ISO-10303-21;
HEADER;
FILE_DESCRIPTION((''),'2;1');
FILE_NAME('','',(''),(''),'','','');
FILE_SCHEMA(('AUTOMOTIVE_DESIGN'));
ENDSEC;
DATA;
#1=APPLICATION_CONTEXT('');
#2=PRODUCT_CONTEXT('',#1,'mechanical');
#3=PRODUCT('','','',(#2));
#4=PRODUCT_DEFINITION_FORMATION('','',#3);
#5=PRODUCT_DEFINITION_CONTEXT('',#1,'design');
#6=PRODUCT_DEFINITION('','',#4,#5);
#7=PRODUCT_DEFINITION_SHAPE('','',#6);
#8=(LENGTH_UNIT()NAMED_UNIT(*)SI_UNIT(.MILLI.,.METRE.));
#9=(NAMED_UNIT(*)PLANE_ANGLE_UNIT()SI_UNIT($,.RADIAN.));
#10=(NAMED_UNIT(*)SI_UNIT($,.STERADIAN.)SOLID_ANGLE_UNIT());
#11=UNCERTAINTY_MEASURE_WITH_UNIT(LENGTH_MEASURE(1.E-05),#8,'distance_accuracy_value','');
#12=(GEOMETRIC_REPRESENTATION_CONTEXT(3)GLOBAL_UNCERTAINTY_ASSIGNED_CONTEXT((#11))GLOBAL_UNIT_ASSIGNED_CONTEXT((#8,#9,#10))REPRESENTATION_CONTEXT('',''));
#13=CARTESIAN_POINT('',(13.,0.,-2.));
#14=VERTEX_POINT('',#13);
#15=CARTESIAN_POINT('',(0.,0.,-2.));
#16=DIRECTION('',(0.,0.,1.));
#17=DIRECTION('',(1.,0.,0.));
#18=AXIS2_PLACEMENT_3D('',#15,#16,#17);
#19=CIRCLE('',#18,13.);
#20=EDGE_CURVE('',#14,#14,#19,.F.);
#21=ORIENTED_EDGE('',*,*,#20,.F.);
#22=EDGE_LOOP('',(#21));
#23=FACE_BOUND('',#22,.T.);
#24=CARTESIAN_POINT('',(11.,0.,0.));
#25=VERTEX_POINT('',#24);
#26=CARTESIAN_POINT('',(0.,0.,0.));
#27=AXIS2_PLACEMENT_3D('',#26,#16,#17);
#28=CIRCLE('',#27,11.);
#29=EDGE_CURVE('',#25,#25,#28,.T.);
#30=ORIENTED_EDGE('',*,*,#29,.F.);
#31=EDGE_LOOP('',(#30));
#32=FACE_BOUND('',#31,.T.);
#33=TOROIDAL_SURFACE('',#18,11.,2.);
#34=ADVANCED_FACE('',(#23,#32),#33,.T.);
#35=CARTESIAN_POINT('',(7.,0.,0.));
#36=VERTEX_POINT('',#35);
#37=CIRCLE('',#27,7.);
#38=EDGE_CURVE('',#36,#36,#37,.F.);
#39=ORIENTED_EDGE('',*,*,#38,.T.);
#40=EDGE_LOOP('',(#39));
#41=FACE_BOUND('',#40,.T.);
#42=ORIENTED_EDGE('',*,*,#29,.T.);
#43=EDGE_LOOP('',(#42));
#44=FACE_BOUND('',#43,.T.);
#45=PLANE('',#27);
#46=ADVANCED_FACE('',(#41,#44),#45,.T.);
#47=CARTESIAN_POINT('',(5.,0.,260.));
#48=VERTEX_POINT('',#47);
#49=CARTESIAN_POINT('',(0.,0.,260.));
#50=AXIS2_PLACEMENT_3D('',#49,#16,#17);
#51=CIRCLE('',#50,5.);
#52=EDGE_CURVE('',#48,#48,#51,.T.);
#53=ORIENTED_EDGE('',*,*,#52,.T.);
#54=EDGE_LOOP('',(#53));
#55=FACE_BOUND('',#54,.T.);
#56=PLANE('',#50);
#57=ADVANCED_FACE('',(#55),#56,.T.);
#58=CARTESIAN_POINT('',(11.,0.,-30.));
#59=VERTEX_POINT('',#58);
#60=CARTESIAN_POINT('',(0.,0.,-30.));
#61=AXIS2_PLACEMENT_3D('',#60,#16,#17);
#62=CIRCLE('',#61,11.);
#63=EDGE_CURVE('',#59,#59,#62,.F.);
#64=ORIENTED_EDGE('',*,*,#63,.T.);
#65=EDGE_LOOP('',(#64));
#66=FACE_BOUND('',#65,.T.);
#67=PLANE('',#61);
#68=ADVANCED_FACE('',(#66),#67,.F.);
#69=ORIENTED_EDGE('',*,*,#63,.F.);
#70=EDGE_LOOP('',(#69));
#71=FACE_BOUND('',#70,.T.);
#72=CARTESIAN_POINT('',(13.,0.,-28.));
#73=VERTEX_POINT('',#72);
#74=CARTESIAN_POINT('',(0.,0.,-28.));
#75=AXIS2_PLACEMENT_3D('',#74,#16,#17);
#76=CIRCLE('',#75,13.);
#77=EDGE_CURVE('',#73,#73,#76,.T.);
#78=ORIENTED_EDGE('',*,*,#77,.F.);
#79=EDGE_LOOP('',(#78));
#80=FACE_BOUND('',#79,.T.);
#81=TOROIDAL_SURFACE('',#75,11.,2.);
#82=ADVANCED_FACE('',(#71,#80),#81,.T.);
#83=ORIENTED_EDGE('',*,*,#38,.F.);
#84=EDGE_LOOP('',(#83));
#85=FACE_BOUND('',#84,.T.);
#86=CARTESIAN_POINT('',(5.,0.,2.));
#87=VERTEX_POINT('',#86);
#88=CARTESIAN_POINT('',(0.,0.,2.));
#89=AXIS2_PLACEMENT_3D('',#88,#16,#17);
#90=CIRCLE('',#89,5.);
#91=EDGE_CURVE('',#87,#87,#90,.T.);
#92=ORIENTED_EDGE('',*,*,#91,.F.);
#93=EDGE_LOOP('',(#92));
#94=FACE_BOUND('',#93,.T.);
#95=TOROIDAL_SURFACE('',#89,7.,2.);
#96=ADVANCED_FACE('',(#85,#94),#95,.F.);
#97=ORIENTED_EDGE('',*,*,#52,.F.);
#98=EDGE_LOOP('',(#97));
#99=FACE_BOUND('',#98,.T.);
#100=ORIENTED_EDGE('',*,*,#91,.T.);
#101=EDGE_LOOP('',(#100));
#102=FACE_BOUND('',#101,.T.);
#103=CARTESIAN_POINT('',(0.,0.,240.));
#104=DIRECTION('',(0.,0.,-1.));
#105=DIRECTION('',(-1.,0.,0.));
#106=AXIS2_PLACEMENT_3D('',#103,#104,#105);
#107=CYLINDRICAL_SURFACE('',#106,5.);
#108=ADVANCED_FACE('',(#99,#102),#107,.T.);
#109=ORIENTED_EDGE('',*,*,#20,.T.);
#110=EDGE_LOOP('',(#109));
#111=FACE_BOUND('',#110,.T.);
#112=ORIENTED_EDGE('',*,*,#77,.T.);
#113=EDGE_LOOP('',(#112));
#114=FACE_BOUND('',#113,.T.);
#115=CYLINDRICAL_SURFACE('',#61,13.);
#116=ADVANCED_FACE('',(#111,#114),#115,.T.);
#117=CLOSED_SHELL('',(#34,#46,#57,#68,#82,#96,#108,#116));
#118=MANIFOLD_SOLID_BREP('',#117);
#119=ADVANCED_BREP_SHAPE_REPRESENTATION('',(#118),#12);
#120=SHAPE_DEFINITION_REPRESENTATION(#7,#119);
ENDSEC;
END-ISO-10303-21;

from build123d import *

# Parameters (mm, degrees)
SKETCH1_R           = 13
BOSS_EXTRUDE1_DEPTH = 30
SKETCH2_R           = 5
BOSS_EXTRUDE2_DEPTH = 240
SKETCH3_R           = 5
BOSS_EXTRUDE3_DEPTH = 20
FILLET1_R           = 2


with BuildPart() as part:
    # Sketch1 → Boss-Extrude1 (new body)
    with BuildSketch(Plane.XY):
        Circle(SKETCH1_R)
    extrude(amount=-BOSS_EXTRUDE1_DEPTH)

    # Sketch2 → Boss-Extrude2 (add)
    with BuildSketch(Plane.XY):
        Circle(SKETCH2_R)
    extrude(amount=BOSS_EXTRUDE2_DEPTH)

    # Sketch3 → Boss-Extrude3 (add)
    with BuildSketch(Plane.XY.offset(240)):
        Circle(SKETCH3_R)
    extrude(amount=BOSS_EXTRUDE3_DEPTH)

    # Fillet1
    fillet1_edges = [part.edges().sort_by_distance(p)[0] for p in [
        (-13, 0, 0),
        (-13, 0, -30),
        (-5, 0, 0),
    ]]
    fillet(fillet1_edges, radius=FILLET1_R)


solid = part.part
